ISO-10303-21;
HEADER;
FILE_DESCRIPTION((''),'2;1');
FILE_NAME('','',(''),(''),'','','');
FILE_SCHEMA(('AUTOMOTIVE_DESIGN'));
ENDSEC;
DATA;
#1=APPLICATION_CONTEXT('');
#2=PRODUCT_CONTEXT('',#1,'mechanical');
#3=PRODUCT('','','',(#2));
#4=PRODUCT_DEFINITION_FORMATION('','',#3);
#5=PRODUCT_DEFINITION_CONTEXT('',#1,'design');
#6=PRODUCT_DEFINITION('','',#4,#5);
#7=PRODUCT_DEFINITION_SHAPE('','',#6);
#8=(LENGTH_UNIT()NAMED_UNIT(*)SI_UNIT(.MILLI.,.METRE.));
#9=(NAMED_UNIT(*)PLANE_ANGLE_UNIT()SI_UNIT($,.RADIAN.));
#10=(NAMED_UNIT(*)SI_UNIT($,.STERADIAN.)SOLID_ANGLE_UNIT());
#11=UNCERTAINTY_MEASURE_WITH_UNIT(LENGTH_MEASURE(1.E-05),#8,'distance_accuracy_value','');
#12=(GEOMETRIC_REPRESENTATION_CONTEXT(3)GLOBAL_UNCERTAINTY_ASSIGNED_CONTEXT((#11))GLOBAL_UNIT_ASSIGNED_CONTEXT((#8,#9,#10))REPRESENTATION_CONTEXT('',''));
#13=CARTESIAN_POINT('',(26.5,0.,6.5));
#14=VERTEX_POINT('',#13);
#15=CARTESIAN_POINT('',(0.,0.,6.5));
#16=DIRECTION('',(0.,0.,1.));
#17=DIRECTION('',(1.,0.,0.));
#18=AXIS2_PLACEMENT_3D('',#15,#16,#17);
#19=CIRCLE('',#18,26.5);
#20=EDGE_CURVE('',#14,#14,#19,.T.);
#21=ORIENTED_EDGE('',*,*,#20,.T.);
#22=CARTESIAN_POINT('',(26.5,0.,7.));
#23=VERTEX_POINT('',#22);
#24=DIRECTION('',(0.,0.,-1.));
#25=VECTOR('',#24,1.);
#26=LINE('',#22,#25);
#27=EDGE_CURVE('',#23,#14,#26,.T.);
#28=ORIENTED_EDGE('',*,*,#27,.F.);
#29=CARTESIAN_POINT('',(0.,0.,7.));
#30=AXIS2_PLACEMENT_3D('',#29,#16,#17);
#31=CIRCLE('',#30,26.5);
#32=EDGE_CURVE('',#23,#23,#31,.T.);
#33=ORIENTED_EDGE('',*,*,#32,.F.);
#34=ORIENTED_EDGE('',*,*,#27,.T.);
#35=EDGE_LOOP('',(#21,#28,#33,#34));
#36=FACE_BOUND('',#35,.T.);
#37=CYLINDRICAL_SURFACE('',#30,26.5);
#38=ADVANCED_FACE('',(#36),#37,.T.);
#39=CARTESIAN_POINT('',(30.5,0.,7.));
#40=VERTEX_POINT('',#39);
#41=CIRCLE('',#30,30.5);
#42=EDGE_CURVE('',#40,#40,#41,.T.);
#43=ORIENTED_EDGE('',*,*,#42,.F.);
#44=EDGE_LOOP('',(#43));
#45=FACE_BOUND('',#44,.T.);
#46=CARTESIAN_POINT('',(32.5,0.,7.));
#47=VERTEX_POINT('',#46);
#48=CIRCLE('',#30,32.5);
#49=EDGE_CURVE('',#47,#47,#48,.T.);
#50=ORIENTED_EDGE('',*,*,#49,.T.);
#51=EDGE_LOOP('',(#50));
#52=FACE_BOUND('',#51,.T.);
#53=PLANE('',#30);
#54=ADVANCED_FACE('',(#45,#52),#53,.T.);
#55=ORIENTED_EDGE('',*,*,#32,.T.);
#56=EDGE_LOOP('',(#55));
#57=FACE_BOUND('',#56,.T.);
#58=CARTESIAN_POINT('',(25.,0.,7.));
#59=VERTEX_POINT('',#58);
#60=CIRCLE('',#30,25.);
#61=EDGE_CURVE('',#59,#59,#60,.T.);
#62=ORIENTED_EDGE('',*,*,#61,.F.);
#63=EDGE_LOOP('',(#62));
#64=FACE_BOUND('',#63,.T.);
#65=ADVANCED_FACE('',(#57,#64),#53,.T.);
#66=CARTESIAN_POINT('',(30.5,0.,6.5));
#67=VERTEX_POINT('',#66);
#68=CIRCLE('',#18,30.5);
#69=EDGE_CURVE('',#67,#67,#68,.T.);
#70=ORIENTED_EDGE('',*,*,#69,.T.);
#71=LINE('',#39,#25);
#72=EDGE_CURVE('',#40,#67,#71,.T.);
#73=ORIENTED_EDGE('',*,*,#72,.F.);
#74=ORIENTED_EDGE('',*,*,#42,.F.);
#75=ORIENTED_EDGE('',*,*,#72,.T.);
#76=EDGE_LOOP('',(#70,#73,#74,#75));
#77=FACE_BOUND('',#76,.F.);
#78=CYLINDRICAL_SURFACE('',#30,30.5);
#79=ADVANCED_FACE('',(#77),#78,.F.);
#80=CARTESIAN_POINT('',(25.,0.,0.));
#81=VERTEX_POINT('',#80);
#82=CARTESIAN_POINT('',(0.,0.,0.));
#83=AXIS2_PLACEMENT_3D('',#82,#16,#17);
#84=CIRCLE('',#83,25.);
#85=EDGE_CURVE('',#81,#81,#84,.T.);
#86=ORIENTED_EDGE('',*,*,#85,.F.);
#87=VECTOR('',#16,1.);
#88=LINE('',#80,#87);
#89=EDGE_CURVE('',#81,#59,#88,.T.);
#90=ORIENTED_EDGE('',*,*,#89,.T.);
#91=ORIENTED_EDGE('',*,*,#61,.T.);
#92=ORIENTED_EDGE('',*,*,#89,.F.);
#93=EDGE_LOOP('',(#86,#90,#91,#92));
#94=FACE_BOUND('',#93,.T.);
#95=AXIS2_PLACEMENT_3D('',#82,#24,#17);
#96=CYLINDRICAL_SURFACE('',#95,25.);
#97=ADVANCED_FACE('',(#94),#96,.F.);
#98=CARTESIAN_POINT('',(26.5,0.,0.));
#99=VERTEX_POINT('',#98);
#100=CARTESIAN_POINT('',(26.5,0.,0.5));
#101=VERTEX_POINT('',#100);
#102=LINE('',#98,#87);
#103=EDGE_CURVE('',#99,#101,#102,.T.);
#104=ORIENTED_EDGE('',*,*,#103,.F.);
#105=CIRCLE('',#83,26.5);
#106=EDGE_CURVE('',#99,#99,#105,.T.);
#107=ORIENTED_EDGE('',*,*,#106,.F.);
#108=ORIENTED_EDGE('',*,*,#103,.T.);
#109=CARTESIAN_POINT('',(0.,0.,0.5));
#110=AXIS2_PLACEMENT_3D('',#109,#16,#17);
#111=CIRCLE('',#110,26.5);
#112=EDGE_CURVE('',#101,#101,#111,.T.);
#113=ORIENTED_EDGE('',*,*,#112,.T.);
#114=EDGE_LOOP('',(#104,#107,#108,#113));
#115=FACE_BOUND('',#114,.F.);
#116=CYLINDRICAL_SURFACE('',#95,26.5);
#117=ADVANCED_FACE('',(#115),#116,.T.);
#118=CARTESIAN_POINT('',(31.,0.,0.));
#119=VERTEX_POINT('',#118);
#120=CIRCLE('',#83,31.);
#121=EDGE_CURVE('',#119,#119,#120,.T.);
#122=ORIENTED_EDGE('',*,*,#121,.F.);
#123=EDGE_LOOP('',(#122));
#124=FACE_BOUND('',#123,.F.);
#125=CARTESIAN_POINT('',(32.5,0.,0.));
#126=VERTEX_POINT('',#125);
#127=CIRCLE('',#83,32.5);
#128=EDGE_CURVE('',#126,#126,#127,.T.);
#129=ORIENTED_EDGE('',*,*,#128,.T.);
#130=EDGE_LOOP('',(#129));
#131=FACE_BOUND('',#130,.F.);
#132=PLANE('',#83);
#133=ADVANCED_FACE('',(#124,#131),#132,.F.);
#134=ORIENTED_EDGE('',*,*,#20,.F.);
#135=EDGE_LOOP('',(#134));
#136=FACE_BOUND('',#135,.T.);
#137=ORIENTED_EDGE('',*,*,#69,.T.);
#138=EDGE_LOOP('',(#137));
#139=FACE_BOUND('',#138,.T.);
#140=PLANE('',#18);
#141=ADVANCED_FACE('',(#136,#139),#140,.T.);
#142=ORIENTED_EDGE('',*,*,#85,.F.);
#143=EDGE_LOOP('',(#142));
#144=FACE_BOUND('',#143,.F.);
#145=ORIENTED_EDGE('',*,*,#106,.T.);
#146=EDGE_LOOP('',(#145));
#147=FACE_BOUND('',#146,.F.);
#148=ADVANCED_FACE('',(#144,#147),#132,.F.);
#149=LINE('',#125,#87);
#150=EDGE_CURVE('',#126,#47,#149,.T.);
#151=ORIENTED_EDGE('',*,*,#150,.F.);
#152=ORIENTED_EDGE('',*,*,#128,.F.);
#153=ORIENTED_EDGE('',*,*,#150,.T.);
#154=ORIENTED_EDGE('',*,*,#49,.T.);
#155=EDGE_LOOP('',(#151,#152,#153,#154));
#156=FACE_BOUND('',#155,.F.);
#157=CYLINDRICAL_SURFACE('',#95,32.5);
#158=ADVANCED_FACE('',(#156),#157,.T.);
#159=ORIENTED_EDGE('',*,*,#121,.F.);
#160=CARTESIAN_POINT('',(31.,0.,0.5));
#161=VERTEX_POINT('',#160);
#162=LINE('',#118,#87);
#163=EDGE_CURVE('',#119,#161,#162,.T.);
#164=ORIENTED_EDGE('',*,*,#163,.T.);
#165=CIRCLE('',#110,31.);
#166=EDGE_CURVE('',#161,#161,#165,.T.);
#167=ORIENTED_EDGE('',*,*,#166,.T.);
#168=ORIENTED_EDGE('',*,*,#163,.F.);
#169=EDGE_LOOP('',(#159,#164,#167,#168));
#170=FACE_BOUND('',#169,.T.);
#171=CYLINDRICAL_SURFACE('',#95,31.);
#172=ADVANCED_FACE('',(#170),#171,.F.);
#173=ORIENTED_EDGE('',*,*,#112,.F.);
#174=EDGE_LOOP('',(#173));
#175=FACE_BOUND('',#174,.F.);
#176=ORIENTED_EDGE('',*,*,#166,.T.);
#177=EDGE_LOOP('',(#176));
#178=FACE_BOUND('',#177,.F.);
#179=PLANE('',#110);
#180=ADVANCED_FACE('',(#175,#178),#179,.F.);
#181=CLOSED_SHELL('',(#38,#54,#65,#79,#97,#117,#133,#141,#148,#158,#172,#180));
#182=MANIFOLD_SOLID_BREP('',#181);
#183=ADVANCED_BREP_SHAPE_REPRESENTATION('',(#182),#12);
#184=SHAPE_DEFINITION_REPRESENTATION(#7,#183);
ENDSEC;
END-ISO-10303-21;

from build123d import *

# Parameters (mm, degrees)
SKETCH010_R     = 32.5
SKETCH010_R_2   = 25
PAD007_DEPTH    = 7
SKETCH011_R     = 30.5
SKETCH011_R_2   = 26.5
POCKET004_DEPTH = 0.5
SKETCH012_R     = 31
SKETCH012_R_2   = 26.5
POCKET005_DEPTH = 0.5


with BuildPart() as part:
    # Sketch010 → Pad007 (new body)
    with BuildSketch(Plane.XY):
        Circle(SKETCH010_R)
        Circle(SKETCH010_R_2, mode=Mode.SUBTRACT)
    extrude(amount=PAD007_DEPTH)

    # Sketch011 → Pocket004 (cut)
    with BuildSketch(Plane.XY.offset(7)):
        Circle(SKETCH011_R)
        Circle(SKETCH011_R_2, mode=Mode.SUBTRACT)
    extrude(amount=-POCKET004_DEPTH, mode=Mode.SUBTRACT)

    # Sketch012 → Pocket005 (cut)
    with BuildSketch(Plane.XY):
        Circle(SKETCH012_R)
        Circle(SKETCH012_R_2, mode=Mode.SUBTRACT)
    extrude(amount=POCKET005_DEPTH, mode=Mode.SUBTRACT)


solid = part.part
